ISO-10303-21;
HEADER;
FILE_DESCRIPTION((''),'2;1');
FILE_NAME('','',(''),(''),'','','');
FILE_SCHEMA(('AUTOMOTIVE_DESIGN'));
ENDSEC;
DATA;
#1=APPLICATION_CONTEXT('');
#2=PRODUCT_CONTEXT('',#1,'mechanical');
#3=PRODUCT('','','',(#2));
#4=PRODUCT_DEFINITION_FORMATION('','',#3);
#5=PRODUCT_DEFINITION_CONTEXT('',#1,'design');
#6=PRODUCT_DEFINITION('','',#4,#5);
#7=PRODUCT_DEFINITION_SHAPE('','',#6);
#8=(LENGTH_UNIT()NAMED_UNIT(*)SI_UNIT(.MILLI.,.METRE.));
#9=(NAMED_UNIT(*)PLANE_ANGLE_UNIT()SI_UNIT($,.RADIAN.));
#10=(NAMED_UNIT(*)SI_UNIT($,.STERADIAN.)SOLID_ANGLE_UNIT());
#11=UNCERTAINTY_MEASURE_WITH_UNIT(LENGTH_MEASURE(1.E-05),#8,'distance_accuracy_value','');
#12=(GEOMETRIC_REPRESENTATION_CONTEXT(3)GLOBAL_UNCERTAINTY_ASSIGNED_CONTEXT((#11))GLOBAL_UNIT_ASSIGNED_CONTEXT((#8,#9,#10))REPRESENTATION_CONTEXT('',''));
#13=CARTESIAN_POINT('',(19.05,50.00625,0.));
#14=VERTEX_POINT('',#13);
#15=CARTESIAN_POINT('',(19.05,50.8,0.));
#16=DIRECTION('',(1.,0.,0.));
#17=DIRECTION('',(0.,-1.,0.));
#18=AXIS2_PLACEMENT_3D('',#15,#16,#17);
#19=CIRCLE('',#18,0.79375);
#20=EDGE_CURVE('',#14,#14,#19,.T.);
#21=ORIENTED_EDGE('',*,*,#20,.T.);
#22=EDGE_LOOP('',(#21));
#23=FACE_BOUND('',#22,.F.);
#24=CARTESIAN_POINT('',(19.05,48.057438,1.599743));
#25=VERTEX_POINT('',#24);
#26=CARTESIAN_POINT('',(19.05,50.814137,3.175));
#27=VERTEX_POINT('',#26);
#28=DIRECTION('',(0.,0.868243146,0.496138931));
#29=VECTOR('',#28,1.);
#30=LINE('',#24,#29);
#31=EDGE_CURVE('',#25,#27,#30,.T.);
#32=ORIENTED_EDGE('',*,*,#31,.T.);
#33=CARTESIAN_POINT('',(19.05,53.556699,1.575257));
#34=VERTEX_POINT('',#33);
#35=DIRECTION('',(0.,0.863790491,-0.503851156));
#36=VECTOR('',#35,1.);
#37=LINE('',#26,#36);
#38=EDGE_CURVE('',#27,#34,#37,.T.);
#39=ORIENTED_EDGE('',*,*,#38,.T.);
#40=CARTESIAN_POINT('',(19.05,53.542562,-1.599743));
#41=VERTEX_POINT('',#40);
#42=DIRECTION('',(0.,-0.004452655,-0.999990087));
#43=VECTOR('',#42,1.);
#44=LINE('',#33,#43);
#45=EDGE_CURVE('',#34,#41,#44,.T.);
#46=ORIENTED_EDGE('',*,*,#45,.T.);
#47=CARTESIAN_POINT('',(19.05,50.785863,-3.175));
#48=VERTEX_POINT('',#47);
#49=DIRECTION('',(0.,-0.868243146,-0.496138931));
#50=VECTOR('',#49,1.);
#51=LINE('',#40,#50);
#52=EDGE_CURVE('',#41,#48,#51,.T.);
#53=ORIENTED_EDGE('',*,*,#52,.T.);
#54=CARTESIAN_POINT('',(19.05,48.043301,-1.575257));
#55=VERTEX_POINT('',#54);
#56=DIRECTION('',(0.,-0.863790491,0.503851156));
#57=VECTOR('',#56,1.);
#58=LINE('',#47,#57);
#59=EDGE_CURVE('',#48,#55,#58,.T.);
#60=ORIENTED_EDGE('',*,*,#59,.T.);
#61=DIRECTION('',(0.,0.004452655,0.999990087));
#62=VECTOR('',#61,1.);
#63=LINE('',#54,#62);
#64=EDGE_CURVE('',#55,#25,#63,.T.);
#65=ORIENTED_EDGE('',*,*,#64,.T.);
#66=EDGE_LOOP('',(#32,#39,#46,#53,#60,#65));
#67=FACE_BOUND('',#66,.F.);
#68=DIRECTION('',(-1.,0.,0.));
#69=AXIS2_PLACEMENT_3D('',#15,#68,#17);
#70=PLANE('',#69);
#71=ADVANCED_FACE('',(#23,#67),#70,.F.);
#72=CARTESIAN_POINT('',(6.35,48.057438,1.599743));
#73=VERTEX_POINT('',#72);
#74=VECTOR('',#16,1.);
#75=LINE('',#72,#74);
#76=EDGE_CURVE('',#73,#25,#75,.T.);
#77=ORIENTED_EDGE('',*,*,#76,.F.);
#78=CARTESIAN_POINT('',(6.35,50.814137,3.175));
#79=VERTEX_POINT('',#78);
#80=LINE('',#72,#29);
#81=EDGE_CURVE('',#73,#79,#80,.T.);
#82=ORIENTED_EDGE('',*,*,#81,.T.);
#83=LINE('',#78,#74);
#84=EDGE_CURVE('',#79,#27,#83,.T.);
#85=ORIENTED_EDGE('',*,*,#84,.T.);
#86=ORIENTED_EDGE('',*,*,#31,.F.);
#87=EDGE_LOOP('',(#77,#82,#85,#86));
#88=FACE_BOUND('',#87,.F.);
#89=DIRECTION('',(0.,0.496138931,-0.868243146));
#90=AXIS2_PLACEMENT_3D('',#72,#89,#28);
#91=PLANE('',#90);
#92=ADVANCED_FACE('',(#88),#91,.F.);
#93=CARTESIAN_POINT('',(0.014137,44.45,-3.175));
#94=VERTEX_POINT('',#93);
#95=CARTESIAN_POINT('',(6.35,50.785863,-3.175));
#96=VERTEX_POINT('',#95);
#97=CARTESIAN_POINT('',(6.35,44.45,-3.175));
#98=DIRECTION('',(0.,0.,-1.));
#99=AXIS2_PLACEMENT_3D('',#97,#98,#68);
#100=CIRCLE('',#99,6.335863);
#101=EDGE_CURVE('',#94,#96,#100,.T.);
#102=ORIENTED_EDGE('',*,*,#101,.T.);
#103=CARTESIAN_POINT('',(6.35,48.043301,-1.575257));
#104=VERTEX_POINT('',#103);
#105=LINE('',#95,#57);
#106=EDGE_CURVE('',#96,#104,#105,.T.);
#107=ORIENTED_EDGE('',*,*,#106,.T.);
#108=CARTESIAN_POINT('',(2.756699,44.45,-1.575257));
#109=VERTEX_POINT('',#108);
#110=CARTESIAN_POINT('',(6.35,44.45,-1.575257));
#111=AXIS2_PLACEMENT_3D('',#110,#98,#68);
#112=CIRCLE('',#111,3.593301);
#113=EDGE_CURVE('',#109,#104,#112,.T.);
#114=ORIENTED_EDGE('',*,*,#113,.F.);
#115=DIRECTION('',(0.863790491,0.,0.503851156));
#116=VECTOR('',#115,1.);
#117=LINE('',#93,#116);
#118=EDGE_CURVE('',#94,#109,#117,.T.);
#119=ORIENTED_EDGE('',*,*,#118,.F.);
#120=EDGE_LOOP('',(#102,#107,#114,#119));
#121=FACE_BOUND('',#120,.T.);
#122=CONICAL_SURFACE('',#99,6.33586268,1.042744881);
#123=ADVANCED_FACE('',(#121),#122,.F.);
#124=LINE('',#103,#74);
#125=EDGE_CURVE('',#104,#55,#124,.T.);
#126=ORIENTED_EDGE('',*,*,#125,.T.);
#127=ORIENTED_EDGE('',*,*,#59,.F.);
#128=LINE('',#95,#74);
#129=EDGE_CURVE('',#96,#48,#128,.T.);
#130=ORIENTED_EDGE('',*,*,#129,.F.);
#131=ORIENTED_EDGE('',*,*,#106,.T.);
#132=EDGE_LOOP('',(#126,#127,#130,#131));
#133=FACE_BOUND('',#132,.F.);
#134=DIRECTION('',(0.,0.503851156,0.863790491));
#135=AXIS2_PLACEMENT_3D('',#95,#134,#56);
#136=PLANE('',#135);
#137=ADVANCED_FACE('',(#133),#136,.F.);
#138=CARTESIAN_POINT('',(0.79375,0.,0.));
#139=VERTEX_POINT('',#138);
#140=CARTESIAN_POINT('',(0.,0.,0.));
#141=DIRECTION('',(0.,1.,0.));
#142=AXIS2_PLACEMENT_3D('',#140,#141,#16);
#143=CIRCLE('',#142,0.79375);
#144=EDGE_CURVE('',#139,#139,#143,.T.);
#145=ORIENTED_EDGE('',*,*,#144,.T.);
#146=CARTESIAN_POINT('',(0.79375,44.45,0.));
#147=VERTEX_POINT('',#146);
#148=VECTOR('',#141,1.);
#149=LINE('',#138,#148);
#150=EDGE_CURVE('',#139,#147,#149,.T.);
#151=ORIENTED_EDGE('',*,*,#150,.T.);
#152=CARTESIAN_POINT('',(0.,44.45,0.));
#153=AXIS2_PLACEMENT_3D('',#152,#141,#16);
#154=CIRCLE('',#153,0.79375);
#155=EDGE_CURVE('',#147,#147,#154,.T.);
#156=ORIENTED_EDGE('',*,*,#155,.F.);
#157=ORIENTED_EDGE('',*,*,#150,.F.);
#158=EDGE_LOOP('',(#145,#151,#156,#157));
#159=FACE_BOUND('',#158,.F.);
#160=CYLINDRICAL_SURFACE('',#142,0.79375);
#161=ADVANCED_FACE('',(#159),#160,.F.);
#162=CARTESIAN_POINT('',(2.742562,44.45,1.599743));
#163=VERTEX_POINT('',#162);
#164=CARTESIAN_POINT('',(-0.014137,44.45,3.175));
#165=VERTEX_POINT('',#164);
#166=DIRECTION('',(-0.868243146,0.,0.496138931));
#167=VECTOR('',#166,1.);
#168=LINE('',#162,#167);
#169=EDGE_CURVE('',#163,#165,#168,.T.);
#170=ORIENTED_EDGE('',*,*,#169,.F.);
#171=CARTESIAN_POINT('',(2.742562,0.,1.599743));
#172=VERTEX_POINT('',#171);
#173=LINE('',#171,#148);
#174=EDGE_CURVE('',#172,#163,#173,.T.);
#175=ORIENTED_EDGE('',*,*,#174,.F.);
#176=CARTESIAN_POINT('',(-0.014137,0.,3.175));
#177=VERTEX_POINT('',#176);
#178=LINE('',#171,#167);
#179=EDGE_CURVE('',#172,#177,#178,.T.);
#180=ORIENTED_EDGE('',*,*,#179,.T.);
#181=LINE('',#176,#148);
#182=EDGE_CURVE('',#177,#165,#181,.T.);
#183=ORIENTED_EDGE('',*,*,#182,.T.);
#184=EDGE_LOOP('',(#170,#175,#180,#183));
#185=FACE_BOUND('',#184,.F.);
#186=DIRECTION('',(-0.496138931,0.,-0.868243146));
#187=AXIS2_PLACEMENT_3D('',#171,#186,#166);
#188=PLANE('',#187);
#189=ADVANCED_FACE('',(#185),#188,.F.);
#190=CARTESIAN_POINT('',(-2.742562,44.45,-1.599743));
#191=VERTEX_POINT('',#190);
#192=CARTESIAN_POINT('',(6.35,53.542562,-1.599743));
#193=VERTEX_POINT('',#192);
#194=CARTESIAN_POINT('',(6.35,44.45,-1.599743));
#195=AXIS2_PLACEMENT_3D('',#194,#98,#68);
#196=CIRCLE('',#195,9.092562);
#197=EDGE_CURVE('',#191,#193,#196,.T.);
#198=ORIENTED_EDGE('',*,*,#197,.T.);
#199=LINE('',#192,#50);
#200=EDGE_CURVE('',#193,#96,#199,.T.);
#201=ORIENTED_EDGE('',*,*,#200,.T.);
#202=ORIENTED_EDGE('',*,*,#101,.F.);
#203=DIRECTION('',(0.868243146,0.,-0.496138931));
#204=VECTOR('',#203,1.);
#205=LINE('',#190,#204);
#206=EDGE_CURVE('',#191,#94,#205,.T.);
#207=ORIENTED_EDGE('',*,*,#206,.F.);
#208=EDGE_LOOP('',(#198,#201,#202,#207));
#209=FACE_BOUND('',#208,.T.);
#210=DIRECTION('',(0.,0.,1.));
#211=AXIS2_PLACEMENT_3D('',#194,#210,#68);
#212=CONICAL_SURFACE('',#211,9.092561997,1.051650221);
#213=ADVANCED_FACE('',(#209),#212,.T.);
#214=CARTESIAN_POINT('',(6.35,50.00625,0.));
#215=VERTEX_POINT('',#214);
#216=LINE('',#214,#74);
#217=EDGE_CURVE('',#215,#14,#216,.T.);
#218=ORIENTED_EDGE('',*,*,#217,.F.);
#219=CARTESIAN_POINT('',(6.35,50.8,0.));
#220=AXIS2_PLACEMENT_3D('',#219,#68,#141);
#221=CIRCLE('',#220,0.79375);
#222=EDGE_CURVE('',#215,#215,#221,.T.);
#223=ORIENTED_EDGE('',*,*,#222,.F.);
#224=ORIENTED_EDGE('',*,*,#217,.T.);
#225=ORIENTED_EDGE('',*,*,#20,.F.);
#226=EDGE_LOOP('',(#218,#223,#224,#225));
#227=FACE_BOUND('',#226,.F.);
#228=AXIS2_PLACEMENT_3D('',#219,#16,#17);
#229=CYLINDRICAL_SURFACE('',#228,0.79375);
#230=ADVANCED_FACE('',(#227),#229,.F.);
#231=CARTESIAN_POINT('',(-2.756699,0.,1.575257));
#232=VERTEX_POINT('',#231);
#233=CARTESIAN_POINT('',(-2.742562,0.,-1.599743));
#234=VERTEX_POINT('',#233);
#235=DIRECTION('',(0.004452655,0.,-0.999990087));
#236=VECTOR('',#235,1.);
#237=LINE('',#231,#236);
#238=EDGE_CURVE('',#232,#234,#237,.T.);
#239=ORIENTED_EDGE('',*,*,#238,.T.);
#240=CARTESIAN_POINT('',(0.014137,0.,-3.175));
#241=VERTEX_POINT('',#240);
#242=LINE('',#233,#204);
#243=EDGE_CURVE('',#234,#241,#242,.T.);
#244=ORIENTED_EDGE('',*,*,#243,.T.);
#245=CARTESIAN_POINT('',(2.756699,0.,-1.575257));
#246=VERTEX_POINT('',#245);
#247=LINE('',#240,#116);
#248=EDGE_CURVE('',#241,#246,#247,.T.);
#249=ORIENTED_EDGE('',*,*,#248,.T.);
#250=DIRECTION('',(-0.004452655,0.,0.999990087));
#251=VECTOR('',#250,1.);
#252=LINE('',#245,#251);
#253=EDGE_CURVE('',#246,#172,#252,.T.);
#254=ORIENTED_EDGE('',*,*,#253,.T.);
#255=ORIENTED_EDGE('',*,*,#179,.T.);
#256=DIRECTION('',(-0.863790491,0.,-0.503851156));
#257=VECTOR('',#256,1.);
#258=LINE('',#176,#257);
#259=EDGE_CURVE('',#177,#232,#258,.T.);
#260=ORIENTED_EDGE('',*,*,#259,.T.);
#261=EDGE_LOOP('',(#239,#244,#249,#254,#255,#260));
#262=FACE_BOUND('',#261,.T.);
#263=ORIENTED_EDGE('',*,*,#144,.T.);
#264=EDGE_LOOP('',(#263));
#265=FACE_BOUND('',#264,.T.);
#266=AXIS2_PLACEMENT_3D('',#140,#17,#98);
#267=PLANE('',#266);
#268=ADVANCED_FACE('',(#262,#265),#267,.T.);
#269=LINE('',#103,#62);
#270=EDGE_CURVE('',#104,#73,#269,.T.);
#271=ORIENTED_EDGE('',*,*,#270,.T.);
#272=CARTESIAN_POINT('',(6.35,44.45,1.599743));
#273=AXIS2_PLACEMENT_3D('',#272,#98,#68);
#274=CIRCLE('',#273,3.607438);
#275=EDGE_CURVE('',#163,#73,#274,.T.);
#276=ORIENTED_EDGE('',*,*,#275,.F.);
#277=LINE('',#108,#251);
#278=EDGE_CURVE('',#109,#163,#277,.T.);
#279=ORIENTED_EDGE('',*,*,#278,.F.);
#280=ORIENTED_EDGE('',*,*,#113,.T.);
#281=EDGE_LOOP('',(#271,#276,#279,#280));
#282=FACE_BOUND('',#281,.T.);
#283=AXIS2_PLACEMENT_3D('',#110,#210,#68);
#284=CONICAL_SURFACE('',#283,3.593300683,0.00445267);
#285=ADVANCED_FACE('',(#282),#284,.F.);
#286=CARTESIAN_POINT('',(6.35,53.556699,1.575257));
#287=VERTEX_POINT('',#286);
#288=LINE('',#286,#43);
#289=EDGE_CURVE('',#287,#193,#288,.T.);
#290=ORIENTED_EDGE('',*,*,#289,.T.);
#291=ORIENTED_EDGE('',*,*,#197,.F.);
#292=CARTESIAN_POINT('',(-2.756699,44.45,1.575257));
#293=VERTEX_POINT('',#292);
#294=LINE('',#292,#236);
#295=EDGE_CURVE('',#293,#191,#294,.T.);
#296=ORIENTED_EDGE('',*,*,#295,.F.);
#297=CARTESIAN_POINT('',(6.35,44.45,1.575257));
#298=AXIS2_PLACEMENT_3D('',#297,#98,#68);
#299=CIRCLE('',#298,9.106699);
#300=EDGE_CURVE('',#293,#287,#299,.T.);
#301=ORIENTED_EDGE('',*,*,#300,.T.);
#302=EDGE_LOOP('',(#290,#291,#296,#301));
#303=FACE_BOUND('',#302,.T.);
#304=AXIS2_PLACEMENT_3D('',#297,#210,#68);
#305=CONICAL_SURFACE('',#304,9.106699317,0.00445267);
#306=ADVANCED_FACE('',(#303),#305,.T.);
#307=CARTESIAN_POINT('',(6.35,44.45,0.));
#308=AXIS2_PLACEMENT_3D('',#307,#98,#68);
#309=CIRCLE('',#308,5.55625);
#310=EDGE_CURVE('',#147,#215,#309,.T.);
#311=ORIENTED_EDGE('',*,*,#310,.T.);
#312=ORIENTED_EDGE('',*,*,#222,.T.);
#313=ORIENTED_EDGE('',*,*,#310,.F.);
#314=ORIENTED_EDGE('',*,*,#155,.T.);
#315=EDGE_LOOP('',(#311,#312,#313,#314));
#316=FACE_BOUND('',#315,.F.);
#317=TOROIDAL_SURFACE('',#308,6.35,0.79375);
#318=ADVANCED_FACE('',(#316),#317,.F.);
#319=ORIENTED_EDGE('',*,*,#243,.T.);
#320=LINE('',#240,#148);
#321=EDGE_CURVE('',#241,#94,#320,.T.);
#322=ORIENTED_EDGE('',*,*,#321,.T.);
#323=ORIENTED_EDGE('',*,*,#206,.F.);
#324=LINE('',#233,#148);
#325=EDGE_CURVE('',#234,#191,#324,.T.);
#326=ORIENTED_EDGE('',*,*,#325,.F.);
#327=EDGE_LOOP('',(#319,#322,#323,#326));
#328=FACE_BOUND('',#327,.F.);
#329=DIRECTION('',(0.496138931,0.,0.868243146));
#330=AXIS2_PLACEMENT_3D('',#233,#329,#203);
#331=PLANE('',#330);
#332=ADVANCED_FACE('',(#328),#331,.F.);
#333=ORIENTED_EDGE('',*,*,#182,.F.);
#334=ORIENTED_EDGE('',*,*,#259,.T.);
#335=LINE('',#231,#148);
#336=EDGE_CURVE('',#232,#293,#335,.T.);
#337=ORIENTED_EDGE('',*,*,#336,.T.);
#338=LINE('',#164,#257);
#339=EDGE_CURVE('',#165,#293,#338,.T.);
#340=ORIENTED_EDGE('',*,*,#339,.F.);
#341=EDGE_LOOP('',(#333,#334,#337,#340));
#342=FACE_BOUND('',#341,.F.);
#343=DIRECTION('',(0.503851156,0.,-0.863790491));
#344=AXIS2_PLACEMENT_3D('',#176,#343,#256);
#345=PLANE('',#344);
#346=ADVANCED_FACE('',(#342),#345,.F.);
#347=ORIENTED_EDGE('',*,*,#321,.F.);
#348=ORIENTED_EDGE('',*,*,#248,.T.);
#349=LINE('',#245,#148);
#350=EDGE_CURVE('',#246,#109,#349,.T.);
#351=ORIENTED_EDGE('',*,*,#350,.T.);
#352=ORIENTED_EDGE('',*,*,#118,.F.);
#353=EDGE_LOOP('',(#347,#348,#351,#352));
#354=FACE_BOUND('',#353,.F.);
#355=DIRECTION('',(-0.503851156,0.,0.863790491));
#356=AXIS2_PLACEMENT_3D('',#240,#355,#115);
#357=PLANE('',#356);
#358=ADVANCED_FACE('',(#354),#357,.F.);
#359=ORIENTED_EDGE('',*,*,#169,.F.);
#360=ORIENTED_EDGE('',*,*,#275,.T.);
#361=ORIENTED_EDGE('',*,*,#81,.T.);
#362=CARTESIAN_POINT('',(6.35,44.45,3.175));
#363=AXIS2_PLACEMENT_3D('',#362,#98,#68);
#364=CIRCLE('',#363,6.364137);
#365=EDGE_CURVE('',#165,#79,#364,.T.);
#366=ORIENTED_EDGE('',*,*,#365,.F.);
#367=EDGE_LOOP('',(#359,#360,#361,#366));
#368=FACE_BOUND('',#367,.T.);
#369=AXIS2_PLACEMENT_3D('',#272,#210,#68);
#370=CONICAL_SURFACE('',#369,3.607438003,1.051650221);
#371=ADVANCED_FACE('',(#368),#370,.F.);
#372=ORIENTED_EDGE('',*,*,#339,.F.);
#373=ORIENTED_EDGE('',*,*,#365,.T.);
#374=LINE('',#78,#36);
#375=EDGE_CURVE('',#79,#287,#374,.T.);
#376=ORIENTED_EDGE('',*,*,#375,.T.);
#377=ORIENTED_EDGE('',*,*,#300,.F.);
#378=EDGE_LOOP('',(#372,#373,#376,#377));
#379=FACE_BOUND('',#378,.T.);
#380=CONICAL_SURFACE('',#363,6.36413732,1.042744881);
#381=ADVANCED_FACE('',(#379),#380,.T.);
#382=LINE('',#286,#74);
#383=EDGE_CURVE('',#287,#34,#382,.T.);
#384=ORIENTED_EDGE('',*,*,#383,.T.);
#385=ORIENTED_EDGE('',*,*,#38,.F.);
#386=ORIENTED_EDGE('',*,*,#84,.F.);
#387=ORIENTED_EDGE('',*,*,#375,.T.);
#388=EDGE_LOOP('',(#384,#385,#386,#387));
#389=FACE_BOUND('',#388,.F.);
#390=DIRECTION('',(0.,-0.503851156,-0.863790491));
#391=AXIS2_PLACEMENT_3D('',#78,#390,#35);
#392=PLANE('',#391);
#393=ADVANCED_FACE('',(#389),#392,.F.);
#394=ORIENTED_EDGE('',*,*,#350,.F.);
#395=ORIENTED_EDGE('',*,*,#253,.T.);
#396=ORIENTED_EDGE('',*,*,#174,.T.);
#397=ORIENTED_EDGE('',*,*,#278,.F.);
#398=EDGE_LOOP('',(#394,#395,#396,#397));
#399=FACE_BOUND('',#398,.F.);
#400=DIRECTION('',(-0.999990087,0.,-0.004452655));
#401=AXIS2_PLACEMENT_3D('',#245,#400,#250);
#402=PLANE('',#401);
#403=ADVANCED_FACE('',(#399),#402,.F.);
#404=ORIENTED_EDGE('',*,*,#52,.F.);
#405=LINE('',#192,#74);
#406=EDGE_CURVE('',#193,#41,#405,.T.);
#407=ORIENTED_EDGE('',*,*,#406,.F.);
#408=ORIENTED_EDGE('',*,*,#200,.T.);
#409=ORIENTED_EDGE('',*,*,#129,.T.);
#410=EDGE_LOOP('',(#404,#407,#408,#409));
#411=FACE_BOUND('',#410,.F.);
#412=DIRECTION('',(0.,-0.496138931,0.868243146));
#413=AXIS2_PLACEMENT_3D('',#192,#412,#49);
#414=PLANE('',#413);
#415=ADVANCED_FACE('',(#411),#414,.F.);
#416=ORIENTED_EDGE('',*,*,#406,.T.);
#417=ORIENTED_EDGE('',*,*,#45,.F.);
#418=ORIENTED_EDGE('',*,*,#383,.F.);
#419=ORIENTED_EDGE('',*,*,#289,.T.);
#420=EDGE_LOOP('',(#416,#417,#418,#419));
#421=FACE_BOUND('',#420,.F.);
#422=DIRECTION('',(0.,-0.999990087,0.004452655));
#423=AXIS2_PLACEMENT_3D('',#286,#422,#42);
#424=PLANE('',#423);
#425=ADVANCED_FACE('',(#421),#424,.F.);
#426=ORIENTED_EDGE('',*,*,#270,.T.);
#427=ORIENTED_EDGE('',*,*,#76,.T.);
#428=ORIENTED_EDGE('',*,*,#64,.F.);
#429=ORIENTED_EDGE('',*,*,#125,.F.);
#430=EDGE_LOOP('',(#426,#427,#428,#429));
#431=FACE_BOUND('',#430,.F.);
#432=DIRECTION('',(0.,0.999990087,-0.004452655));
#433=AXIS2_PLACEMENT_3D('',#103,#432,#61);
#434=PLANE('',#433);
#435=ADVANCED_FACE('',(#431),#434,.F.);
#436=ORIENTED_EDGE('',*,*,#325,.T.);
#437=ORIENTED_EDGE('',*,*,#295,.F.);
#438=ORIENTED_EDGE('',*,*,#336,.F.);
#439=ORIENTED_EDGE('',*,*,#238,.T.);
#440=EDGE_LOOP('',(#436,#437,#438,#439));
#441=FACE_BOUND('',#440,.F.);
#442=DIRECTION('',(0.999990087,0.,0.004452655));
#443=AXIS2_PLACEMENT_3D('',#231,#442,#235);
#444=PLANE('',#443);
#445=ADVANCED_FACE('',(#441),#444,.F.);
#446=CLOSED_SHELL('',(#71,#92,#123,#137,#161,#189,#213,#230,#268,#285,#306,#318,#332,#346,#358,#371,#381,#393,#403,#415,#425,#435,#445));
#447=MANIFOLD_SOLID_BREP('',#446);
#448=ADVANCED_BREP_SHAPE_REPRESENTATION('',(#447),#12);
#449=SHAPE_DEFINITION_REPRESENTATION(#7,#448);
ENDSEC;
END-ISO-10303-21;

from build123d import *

# Parameters (mm, degrees)
F3_R = 0.79375


with BuildPart() as f2:
    # F2: sweep along a path in F1
    with BuildLine(Plane.XY) as f2_path:
        Line((0, 0), (0, 44.45))
        ThreePointArc((0, 44.45), (1.8598719395, 48.9401280605), (6.35, 50.8))
        Line((6.35, 50.8), (19.05, 50.8))
    # F0 (on Front) → F2 (sweep)
    with BuildSketch(Plane.XZ):
        Polygon((0.0141373198, -3.175), (2.7566993169, -1.5752567219), (2.7425619971, 1.5997432781), (-0.0141373198, 3.175), (-2.7566993169, 1.5752567219), (-2.7425619971, -1.5997432781), align=None)
    sweep(path=f2_path.line)

    # F4: sweep along a path in F1
    with BuildLine(Plane.XY) as f4_path:
        Line((0, 0), (0, 44.45))
        ThreePointArc((0, 44.45), (1.8598719395, 48.9401280605), (6.35, 50.8))
        Line((6.35, 50.8), (19.05, 50.8))
    # F3 (on Front) → F4 (sweep, cut)
    with BuildSketch(Plane.XZ):
        Circle(F3_R)
    sweep(path=f4_path.line, mode=Mode.SUBTRACT)


solid = f2.part
